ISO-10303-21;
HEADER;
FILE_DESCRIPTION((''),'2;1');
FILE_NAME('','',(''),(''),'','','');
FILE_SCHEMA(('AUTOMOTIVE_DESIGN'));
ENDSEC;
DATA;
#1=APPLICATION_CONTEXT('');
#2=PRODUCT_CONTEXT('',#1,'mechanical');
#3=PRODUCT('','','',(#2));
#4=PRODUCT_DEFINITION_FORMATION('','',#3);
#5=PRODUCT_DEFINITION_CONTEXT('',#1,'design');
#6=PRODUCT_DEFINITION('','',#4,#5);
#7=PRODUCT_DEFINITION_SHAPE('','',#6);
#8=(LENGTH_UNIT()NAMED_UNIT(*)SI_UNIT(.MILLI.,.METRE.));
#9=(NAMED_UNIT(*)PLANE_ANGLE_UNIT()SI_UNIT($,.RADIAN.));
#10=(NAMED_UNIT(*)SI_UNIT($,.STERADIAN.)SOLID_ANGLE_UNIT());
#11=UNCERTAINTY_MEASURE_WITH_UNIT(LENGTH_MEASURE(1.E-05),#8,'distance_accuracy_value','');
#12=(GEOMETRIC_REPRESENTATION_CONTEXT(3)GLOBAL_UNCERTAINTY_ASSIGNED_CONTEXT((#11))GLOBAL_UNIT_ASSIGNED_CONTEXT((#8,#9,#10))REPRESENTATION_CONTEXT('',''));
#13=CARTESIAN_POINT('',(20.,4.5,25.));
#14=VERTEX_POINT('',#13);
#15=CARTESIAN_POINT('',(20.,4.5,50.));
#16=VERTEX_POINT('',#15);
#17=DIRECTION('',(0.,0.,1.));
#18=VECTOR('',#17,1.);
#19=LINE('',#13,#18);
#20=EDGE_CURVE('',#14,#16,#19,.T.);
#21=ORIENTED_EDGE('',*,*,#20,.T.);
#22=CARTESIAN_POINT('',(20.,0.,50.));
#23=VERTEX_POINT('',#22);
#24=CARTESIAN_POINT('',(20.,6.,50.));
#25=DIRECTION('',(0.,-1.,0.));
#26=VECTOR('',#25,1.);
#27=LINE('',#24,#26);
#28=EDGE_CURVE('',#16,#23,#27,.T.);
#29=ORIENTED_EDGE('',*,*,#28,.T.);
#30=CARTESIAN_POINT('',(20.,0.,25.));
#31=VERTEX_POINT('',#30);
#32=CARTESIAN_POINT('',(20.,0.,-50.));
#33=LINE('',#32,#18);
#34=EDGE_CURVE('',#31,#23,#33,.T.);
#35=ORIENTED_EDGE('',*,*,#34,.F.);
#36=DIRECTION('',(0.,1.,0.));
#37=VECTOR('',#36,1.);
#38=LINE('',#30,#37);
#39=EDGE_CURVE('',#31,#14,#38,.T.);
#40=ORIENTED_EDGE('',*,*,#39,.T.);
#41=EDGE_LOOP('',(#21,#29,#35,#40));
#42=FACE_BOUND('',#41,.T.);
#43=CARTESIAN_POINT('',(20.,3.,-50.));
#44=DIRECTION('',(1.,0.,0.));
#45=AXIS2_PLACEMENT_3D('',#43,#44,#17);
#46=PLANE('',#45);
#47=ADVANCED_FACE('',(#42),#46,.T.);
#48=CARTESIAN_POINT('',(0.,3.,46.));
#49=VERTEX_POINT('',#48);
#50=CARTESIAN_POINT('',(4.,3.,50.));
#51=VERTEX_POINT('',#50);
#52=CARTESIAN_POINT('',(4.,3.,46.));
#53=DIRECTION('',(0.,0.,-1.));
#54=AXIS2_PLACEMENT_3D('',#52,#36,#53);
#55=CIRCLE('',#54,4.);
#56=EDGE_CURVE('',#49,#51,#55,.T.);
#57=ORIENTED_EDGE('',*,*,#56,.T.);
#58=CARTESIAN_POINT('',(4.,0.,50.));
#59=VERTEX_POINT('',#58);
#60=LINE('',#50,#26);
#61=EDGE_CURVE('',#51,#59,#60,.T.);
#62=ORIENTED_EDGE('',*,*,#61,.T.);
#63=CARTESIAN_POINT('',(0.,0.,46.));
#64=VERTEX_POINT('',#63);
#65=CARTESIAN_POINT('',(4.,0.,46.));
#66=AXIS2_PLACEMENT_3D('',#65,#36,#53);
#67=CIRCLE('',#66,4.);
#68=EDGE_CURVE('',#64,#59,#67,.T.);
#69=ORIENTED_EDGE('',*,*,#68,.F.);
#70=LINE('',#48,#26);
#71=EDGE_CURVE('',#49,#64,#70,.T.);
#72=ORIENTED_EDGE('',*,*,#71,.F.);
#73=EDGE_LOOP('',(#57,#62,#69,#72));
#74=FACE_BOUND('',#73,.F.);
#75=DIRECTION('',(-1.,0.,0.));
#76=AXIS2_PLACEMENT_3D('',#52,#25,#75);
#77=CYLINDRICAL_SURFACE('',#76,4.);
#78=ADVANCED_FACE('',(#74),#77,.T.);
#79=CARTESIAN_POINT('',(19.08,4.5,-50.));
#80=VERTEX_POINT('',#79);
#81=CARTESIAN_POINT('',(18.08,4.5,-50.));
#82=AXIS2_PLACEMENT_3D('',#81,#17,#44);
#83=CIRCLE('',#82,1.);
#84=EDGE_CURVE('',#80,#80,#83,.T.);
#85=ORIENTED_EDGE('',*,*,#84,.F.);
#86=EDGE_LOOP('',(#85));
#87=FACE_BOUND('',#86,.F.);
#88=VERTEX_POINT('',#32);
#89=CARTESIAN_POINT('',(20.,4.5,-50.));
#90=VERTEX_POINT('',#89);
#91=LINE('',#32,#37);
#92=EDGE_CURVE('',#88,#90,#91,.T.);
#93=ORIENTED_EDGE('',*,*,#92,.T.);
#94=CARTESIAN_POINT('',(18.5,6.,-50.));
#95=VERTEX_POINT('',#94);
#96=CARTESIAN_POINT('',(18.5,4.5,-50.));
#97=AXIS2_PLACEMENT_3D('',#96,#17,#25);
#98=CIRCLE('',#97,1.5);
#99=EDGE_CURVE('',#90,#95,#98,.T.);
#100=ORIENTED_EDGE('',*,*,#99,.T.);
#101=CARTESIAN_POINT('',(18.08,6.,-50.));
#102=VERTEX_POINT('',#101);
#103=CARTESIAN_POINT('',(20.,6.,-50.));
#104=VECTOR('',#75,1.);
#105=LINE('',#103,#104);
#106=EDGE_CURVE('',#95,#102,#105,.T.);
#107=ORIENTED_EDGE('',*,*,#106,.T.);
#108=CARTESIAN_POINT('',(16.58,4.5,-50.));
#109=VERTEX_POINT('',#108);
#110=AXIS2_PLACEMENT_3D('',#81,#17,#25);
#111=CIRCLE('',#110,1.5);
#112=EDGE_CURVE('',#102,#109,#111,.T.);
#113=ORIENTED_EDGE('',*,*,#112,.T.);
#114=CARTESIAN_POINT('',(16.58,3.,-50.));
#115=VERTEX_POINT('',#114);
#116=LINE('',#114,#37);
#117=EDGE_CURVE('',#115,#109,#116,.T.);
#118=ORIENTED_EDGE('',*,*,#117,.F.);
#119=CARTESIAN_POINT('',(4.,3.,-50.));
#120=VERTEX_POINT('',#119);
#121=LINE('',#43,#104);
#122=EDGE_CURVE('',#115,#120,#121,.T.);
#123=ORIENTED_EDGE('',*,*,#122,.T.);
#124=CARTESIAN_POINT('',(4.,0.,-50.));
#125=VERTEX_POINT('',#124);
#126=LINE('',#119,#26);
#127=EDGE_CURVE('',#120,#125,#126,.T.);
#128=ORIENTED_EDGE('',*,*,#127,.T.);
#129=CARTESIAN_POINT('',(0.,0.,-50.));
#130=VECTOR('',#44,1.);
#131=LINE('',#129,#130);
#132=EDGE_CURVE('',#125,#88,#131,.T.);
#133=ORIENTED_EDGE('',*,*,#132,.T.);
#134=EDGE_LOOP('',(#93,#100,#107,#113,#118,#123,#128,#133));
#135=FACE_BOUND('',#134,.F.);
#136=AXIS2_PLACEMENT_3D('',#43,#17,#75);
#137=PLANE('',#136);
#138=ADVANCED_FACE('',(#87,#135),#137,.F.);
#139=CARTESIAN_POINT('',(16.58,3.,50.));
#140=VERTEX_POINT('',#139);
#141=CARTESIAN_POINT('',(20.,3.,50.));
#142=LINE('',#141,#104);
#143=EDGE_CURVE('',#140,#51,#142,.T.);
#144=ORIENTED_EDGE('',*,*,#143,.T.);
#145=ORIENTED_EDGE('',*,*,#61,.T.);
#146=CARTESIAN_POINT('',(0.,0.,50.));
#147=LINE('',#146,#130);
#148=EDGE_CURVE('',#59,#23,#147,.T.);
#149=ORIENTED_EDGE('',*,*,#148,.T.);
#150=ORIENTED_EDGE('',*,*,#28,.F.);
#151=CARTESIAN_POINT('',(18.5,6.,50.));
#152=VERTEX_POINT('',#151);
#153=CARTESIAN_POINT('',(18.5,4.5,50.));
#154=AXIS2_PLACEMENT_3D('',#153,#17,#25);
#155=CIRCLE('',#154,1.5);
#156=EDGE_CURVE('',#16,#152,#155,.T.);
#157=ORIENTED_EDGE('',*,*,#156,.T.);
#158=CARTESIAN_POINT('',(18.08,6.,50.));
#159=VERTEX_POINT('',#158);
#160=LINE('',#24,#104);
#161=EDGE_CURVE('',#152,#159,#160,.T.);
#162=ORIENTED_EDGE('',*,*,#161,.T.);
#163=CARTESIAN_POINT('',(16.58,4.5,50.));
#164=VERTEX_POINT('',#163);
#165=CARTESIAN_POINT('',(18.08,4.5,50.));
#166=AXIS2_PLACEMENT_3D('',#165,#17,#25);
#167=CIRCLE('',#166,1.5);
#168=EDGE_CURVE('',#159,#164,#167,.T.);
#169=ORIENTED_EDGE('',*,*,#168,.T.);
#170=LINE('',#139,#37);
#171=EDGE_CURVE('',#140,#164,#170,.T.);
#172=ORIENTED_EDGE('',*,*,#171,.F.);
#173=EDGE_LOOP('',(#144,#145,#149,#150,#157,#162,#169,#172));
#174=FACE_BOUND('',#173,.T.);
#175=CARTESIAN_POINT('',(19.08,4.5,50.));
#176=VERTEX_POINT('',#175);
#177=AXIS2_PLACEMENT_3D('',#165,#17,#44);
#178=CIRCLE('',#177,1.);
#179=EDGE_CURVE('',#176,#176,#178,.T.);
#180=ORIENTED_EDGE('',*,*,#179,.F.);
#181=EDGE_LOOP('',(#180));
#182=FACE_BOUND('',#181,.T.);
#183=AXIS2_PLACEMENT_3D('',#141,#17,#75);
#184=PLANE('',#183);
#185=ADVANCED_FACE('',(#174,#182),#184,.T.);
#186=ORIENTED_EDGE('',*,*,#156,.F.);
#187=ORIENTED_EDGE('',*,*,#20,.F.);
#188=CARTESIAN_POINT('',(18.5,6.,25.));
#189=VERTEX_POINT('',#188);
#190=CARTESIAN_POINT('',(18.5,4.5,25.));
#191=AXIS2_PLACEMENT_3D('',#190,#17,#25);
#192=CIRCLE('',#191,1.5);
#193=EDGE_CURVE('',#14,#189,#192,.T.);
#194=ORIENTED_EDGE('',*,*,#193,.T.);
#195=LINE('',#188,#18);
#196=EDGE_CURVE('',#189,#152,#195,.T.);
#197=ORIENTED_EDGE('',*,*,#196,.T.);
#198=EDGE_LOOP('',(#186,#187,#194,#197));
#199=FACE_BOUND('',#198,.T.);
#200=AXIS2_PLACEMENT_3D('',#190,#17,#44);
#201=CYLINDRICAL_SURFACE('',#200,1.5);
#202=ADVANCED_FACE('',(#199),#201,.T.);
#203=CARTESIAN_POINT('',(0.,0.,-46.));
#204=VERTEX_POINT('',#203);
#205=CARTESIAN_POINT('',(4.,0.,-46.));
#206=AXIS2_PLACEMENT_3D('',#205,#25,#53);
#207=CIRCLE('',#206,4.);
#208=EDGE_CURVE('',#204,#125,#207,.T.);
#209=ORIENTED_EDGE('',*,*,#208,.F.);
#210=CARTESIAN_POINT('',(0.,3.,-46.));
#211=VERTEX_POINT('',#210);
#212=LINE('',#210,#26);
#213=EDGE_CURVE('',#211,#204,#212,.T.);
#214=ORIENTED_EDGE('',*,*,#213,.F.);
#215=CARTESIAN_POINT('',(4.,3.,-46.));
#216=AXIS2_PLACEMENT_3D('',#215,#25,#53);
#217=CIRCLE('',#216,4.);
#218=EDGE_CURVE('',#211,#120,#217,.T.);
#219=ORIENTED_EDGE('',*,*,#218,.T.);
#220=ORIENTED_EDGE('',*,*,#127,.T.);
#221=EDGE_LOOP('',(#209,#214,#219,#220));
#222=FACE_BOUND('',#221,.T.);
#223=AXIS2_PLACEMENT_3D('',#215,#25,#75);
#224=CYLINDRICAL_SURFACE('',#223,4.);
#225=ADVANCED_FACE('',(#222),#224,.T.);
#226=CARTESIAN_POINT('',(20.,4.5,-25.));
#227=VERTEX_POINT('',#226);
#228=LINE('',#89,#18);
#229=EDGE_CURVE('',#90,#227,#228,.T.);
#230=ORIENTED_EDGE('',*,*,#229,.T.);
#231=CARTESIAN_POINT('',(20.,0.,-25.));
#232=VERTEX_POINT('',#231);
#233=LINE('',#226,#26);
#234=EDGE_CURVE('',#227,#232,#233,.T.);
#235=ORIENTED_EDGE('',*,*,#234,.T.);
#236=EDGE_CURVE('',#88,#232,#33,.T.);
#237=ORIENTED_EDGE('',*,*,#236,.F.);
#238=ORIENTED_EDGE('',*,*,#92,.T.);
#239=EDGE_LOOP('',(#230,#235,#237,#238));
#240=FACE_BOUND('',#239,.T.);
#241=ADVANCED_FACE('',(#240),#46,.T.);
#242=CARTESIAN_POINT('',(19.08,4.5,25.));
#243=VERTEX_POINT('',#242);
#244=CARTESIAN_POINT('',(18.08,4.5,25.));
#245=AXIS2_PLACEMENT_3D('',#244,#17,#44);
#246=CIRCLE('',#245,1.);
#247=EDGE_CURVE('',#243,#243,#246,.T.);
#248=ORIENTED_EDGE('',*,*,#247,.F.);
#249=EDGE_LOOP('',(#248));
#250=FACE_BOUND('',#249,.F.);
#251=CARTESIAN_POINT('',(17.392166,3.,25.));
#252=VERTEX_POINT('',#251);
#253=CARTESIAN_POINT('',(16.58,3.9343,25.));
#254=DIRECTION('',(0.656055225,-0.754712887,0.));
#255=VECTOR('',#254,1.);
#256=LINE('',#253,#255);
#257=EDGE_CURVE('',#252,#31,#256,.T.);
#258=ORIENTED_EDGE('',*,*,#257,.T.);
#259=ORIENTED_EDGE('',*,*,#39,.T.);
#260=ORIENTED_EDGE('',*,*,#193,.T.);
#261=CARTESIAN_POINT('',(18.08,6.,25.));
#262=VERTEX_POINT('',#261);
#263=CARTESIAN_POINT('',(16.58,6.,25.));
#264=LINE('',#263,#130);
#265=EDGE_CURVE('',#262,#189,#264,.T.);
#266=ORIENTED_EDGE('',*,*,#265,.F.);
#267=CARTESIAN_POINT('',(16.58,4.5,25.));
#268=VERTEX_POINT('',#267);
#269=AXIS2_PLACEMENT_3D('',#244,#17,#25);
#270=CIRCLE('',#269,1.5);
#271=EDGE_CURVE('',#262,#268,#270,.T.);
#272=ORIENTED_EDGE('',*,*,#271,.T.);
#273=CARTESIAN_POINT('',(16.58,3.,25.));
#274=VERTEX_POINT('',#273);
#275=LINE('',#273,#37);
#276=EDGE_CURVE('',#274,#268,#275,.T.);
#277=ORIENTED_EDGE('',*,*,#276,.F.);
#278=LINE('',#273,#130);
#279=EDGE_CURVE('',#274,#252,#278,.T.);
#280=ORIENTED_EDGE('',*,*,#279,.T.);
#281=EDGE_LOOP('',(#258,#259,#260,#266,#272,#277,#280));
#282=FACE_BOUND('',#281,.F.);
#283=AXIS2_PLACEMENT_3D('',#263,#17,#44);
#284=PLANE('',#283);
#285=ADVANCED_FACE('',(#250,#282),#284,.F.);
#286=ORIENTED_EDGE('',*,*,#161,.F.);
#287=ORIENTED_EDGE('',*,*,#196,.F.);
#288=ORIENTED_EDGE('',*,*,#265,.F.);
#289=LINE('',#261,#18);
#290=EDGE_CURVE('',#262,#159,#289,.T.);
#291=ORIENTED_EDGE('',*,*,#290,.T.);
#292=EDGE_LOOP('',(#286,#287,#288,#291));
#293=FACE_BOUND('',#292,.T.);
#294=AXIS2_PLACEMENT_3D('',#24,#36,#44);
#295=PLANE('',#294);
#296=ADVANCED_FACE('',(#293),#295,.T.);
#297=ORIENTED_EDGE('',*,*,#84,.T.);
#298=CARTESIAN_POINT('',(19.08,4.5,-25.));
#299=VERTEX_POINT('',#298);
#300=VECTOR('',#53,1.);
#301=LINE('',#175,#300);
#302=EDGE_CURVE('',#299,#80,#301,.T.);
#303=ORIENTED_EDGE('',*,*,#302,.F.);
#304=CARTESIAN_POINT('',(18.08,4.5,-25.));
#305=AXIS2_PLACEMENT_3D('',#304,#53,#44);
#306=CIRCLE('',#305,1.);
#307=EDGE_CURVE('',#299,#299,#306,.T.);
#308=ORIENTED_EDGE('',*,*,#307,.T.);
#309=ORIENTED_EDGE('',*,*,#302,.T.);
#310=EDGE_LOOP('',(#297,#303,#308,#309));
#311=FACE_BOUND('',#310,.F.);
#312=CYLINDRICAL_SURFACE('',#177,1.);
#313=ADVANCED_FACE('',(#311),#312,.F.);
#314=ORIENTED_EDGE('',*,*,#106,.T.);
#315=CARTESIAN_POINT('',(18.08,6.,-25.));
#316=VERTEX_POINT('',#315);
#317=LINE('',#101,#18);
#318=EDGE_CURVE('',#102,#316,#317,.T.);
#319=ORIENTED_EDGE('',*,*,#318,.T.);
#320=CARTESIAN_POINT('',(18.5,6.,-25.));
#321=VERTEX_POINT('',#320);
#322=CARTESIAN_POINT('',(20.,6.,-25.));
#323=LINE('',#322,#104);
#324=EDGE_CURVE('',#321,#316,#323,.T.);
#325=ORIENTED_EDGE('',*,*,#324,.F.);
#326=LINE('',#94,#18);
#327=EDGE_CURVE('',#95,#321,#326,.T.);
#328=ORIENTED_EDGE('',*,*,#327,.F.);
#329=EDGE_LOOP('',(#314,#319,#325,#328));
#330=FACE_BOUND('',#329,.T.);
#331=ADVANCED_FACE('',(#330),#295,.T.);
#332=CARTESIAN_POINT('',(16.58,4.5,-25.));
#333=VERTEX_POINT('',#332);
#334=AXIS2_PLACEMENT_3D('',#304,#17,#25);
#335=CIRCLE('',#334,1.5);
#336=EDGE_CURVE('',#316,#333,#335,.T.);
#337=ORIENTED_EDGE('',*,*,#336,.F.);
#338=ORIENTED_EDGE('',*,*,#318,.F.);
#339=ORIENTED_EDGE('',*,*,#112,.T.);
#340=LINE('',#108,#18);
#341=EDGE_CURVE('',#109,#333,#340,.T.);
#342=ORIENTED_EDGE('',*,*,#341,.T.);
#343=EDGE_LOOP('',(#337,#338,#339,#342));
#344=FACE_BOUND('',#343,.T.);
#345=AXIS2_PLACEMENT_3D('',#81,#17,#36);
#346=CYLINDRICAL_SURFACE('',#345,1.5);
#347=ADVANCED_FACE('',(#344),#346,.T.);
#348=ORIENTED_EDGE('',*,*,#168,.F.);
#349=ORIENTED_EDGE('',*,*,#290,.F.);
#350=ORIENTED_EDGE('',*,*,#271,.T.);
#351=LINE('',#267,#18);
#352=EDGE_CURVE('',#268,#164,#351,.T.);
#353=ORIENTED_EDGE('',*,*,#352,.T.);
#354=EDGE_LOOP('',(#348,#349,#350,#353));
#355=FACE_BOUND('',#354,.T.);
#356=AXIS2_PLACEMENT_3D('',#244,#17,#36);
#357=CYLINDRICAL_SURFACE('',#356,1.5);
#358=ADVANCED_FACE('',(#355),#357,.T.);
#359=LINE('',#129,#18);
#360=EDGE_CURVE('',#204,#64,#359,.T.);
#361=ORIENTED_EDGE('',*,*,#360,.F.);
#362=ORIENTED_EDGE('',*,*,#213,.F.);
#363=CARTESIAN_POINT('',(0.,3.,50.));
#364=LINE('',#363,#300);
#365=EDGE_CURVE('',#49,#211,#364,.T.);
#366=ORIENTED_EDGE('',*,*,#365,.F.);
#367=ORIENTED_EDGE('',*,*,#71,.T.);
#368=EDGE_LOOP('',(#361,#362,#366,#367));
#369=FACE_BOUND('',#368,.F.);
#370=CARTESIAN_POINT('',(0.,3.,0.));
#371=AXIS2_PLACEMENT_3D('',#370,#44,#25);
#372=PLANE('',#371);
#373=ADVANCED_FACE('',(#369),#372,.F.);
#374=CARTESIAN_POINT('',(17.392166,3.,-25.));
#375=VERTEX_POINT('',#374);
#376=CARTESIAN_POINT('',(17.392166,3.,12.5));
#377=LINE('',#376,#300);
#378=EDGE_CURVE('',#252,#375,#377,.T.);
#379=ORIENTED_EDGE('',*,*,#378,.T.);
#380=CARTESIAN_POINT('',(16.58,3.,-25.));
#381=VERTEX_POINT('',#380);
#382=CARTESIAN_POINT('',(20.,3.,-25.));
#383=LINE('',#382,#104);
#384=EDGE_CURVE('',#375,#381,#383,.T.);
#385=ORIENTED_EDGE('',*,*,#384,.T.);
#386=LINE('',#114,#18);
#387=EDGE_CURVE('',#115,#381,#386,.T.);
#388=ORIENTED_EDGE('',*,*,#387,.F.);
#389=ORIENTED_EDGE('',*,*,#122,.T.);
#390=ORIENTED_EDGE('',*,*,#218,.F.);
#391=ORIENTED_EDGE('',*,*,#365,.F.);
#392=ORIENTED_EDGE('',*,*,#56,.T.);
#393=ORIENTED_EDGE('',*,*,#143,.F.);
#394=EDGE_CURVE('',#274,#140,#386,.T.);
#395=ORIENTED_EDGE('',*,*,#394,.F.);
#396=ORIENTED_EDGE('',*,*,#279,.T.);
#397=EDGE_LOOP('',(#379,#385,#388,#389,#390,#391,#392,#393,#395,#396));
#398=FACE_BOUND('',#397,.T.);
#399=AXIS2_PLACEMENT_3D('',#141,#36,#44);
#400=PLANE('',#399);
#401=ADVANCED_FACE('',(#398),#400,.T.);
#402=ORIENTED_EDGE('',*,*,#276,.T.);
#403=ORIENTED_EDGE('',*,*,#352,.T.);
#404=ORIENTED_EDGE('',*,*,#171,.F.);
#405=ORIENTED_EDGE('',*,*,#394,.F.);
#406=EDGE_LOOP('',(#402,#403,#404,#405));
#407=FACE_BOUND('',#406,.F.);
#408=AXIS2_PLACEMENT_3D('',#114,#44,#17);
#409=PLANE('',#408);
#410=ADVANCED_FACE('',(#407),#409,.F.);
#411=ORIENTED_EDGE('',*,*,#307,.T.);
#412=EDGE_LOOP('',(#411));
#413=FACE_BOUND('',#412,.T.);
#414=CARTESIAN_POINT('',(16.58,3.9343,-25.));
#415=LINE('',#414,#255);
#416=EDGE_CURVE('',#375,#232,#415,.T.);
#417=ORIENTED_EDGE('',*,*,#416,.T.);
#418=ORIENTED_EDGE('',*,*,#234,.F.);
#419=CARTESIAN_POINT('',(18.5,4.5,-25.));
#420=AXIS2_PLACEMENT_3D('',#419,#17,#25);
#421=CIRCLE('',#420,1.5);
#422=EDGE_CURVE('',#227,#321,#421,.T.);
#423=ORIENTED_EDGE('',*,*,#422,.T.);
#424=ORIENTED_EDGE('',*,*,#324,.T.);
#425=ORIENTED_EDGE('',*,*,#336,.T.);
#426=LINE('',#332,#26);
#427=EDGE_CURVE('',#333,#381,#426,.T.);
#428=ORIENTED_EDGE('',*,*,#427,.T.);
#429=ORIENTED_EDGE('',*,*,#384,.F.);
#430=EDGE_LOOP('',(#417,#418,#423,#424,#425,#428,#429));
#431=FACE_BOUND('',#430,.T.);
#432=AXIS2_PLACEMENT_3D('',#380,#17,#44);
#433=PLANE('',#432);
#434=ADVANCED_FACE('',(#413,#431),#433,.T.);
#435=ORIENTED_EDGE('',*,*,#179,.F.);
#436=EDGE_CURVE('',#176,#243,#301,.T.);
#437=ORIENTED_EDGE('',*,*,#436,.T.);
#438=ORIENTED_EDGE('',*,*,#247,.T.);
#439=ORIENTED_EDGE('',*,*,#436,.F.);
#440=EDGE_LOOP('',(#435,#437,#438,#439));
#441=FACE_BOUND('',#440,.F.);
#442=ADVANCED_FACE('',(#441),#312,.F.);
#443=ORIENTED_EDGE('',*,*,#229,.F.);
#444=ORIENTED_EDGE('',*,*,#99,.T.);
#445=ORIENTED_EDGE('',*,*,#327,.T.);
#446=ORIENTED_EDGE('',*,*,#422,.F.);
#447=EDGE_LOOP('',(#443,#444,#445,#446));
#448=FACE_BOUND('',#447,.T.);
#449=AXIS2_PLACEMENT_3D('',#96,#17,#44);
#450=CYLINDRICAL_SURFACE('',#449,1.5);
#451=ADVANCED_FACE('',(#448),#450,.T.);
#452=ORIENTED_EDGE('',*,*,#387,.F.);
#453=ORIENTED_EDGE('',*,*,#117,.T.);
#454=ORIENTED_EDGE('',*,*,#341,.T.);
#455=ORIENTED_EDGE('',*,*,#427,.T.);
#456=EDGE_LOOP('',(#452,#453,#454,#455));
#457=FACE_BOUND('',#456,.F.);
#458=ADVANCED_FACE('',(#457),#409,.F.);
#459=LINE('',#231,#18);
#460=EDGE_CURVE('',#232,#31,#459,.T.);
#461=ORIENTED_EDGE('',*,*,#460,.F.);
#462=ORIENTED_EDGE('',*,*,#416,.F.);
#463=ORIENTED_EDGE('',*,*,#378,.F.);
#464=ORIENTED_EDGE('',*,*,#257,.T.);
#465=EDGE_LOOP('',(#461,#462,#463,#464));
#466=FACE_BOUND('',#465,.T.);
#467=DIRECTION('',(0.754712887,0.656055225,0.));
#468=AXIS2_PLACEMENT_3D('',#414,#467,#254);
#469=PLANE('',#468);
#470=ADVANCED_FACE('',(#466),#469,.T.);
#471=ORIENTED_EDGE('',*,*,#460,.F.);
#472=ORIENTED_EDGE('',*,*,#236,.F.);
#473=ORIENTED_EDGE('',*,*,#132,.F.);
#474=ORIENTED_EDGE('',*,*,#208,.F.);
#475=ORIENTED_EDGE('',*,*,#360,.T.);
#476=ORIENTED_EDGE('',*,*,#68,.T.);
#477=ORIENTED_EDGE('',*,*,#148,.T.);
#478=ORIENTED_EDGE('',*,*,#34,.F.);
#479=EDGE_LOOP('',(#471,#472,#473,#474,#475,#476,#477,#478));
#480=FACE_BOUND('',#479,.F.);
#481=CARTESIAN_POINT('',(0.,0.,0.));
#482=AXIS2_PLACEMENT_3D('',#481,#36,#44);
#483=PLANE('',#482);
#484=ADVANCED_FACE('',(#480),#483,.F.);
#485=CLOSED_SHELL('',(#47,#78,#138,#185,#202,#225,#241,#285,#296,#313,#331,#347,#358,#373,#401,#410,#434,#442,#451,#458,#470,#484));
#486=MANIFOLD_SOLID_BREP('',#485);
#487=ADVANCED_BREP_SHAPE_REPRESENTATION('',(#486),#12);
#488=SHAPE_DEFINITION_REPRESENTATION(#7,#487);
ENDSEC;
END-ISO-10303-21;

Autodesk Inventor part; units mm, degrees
ref_plane "YZ Plane" through (0, 0, 0) normal (1, 0, 0) x (0, 1, 0)
ref_plane "XZ Plane" through (0, 0, 0) normal (0, 1, 0) x (-1, 0, 0)
ref_plane "XY Plane" through (0, 0, 0) normal (0, 0, 1) x (1, 0, 0)
sketch "Эскиз2" plane through (0, 0, 0) normal (0, 0, 1) x (1, 0, 0)
  line L0 (0, 0) -> (20, 0)
  line L1 (20, 0) -> (20, 3)
  line L2 (20, 3) -> (0, 3)
  line L3 (0, 3) -> (0, 0)
  dimension "d14" = 20
  dimension "d15" = 3
extrude "Выдавливание2" add sketch "Эскиз2" along normal mid plane 100
fillet "Сопряжение1" radius 4 2 edges at (0, 1.5, 50) (0, 1.5, -50)
sketch "Эскиз5" plane through (20, 3, 50) normal (0, 1, 0) x (1, 0, 0)
  line L0 (0, 100) -> (0, 0) projected
  line L1 (0, 0) -> (-16, 0) projected
  line L2 (0, 100) -> (-3.42, 100)
  line L3 (-3.42, 100) -> (-3.42, 0)
  line L4 (-3.42, 0) -> (0, 0)
  line L5 (0, 0) -> (0, 100)
  point P0 (-20, 50)
  dimension "d25" = 3.42
extrude "Выдавливание4" add sketch "Эскиз5" along normal blind 3
sketch "Эскиз6" plane through (0, 0, 50) normal (0, 0, 1) x (1, 0, 0)
  circle A0 centre (18.08, 4.5) radius 1
  line L0 (16.58, 6) -> (20, 6) projected
  line L1 (16.58, 3) -> (16.58, 6) projected
  point P0 (0, 0)
  dimension "d28" = 2
  dimension "d29" = 1.5
  dimension "d30" = 1.5
extrude "Выдавливание5" cut sketch "Эскиз6" against normal through all
sketch "Эскиз7" plane through (20, 6, 50) normal (0, 1, 0) x (1, 0, 0)
  line L0 (-3.42, 100) -> (-3.42, 0) projected
  line L1 (0, 0) -> (0, 100) projected
  line L2 (-3.42, 25) -> (0, 25)
  line L3 (0, 25) -> (0, 75)
  line L4 (0, 75) -> (-3.42, 75)
  line L5 (-3.42, 75) -> (-3.42, 25)
  line L6 (-3.42, 0) -> (-16, 0) projected
  point P0 (-20, 50)
  point P1 (-3.42, 75)
  point P2 (0, 25)
  dimension "d33" = 50
  dimension "d34" = 25
extrude "Выдавливание6" cut sketch "Эскиз7" against normal blind 3
fillet "Сопряжение2" radius 1.5 4 edges at (20, 6, 37.5) (16.58, 6, 37.5) (20, 6, -37.5) (16.58, 6, -37.5)
sketch "Эскиз8" plane through (16.58, 3, -25) normal (0, 0, 1) x (1, 0, 0)
  line L0 (3.42, -3) -> (3.42, 1.5) projected
  line L1 (0, 0.9343) -> (3.42, -3)
  line L2 (3.42, -3) -> (-12.58, -3) projected
  line L3 (0, 0) -> (0, 1.5) projected
  line L4 (0, 0.9343) -> (3.42, 0.9343)
  point P0 (-16.58, -3)
  dimension "d38" = 49
extrude "Выдавливание7" cut sketch "Эскиз8" along normal up to surface (50 mm away)
properties part number "Cover"
